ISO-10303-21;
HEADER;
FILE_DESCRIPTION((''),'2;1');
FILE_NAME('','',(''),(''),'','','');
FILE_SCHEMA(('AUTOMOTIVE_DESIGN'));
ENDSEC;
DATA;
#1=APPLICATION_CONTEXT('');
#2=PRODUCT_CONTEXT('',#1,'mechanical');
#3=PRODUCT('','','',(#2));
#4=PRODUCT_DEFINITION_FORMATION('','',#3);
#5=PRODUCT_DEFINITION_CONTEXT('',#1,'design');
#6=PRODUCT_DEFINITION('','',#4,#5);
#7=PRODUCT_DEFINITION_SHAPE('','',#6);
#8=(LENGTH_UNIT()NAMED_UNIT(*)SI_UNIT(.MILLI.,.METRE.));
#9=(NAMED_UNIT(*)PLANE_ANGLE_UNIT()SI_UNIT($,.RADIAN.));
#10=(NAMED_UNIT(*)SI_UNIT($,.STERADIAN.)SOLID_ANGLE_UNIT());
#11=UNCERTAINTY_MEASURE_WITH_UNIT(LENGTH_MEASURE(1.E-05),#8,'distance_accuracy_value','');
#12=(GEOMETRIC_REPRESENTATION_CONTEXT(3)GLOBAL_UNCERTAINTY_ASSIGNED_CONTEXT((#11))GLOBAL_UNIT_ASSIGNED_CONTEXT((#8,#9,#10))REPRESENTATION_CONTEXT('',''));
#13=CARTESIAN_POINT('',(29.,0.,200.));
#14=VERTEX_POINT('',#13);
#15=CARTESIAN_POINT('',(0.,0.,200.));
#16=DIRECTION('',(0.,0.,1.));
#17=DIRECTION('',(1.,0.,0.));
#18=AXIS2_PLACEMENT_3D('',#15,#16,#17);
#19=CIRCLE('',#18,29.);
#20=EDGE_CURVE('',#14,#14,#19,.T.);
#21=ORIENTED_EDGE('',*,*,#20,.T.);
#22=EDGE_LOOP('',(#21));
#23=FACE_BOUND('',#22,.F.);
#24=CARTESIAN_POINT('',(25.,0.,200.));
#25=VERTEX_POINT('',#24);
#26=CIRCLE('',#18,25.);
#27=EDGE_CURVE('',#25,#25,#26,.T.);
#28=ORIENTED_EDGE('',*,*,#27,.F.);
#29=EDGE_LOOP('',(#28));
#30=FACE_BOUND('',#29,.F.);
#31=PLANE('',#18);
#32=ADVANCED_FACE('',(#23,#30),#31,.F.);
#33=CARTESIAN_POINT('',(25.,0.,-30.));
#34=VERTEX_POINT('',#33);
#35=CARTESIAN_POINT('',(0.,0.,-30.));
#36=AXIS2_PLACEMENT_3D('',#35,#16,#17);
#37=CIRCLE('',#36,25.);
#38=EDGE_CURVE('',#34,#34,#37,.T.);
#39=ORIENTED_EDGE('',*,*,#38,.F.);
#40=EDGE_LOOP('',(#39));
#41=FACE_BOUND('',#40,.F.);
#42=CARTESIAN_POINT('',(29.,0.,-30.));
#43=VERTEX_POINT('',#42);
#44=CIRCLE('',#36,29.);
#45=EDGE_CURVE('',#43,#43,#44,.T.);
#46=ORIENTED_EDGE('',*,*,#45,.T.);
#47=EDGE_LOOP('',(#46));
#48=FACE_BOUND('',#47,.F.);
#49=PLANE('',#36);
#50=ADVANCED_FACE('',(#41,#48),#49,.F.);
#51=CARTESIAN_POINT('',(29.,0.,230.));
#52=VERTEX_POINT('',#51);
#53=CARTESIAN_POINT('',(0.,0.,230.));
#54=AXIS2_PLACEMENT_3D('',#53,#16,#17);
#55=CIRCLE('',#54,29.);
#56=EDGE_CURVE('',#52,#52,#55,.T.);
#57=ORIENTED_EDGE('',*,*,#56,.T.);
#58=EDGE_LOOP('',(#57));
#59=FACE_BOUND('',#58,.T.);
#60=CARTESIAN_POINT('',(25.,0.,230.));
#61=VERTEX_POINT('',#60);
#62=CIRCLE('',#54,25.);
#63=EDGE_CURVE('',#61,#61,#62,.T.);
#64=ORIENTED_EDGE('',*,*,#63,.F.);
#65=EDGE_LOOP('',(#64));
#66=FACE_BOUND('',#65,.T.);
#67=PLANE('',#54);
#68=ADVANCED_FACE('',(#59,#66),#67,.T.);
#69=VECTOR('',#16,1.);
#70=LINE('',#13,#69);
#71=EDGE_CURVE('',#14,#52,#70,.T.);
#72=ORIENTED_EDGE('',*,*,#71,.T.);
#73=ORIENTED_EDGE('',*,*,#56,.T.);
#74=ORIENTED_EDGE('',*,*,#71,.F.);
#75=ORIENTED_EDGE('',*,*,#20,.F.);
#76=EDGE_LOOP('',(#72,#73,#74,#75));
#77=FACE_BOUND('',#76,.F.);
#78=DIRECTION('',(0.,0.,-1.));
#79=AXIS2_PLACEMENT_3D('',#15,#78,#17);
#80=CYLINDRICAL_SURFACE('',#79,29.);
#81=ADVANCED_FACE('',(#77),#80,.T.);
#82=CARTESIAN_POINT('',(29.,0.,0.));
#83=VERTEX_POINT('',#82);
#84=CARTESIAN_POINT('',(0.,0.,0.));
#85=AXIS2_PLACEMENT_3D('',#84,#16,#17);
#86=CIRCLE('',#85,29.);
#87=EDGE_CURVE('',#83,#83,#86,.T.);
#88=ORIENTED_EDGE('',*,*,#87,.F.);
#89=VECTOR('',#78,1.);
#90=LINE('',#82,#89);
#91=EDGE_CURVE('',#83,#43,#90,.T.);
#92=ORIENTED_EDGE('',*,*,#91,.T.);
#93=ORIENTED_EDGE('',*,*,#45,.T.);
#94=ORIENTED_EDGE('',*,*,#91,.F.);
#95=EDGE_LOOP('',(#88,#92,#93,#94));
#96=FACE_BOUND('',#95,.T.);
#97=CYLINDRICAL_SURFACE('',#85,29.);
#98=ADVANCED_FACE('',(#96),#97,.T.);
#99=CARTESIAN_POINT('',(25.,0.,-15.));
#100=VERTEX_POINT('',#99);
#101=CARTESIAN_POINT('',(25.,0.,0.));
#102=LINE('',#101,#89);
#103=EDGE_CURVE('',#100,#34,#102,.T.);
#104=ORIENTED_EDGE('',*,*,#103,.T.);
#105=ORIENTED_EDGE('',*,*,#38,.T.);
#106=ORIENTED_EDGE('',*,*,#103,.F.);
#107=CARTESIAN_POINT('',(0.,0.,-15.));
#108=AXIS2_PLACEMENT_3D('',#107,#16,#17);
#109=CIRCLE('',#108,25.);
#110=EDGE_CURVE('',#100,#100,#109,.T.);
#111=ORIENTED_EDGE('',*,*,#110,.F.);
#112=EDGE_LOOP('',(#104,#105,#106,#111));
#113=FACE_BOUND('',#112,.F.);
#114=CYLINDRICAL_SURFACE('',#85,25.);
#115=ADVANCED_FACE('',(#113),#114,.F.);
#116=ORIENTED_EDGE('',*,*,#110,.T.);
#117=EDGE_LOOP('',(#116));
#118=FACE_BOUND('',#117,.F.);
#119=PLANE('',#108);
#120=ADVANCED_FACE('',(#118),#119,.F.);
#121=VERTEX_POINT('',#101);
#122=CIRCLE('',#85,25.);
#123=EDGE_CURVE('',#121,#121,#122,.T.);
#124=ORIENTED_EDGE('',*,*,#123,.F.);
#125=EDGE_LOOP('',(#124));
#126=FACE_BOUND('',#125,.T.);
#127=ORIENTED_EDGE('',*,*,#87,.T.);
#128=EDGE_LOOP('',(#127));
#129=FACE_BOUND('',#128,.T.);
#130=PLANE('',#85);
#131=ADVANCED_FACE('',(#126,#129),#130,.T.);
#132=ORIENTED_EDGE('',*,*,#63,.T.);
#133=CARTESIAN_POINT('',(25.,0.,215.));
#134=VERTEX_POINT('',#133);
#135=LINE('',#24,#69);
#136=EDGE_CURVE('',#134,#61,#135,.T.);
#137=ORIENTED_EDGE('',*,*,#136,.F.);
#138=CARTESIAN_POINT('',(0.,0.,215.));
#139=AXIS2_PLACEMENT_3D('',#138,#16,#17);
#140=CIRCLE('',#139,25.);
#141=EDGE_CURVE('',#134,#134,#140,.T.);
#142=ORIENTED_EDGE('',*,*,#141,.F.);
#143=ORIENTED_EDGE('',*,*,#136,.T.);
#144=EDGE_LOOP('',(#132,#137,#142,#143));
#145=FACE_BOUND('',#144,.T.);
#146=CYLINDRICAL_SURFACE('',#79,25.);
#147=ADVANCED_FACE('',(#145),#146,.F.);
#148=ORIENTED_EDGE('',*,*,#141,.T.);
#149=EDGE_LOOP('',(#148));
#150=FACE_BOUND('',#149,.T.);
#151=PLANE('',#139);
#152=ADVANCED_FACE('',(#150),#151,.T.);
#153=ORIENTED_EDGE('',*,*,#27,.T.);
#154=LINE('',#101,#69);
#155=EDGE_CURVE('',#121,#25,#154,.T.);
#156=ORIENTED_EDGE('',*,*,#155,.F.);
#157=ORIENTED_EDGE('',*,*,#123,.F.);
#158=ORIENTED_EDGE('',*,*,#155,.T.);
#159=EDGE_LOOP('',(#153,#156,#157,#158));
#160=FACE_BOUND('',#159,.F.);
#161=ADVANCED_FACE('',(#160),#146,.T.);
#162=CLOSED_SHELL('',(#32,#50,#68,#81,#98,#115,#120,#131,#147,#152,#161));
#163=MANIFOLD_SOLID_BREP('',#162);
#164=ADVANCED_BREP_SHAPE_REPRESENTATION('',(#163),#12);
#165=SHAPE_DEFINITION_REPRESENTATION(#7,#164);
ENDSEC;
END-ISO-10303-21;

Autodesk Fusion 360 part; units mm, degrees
sketch "Sketch1" plane through (0, 0, 0) normal (0, 0, 1) x (1, 0, 0)
  circle A0 centre (0, 0) radius 25
  circle A1 centre (0, 0) radius 29
  dimension "d3" = 50
  dimension "d4" = 4
extrude "Extrude1" add sketch "Sketch1" along normal blind 200 contours A0 makes body 1
extrude "Extrude2" add sketch "Sketch1" against normal blind 30 separate body makes body 2
extrude "Extrude3" add sketch "Sketch1" against normal blind 15 contours A0 bodies 1 2
sketch "Sketch2" plane through (0, 0, 200) normal (0, 0, 1) x (1, 0, 0)
  circle A0 centre (0, 0) radius 25
  circle A1 centre (0, 0) radius 29
  dimension "d9" = 4
extrude "Extrude4" add sketch "Sketch2" along normal blind 15 contours A0 bodies 1
extrude "Extrude5" add sketch "Sketch2" along normal blind 30 bodies 1
